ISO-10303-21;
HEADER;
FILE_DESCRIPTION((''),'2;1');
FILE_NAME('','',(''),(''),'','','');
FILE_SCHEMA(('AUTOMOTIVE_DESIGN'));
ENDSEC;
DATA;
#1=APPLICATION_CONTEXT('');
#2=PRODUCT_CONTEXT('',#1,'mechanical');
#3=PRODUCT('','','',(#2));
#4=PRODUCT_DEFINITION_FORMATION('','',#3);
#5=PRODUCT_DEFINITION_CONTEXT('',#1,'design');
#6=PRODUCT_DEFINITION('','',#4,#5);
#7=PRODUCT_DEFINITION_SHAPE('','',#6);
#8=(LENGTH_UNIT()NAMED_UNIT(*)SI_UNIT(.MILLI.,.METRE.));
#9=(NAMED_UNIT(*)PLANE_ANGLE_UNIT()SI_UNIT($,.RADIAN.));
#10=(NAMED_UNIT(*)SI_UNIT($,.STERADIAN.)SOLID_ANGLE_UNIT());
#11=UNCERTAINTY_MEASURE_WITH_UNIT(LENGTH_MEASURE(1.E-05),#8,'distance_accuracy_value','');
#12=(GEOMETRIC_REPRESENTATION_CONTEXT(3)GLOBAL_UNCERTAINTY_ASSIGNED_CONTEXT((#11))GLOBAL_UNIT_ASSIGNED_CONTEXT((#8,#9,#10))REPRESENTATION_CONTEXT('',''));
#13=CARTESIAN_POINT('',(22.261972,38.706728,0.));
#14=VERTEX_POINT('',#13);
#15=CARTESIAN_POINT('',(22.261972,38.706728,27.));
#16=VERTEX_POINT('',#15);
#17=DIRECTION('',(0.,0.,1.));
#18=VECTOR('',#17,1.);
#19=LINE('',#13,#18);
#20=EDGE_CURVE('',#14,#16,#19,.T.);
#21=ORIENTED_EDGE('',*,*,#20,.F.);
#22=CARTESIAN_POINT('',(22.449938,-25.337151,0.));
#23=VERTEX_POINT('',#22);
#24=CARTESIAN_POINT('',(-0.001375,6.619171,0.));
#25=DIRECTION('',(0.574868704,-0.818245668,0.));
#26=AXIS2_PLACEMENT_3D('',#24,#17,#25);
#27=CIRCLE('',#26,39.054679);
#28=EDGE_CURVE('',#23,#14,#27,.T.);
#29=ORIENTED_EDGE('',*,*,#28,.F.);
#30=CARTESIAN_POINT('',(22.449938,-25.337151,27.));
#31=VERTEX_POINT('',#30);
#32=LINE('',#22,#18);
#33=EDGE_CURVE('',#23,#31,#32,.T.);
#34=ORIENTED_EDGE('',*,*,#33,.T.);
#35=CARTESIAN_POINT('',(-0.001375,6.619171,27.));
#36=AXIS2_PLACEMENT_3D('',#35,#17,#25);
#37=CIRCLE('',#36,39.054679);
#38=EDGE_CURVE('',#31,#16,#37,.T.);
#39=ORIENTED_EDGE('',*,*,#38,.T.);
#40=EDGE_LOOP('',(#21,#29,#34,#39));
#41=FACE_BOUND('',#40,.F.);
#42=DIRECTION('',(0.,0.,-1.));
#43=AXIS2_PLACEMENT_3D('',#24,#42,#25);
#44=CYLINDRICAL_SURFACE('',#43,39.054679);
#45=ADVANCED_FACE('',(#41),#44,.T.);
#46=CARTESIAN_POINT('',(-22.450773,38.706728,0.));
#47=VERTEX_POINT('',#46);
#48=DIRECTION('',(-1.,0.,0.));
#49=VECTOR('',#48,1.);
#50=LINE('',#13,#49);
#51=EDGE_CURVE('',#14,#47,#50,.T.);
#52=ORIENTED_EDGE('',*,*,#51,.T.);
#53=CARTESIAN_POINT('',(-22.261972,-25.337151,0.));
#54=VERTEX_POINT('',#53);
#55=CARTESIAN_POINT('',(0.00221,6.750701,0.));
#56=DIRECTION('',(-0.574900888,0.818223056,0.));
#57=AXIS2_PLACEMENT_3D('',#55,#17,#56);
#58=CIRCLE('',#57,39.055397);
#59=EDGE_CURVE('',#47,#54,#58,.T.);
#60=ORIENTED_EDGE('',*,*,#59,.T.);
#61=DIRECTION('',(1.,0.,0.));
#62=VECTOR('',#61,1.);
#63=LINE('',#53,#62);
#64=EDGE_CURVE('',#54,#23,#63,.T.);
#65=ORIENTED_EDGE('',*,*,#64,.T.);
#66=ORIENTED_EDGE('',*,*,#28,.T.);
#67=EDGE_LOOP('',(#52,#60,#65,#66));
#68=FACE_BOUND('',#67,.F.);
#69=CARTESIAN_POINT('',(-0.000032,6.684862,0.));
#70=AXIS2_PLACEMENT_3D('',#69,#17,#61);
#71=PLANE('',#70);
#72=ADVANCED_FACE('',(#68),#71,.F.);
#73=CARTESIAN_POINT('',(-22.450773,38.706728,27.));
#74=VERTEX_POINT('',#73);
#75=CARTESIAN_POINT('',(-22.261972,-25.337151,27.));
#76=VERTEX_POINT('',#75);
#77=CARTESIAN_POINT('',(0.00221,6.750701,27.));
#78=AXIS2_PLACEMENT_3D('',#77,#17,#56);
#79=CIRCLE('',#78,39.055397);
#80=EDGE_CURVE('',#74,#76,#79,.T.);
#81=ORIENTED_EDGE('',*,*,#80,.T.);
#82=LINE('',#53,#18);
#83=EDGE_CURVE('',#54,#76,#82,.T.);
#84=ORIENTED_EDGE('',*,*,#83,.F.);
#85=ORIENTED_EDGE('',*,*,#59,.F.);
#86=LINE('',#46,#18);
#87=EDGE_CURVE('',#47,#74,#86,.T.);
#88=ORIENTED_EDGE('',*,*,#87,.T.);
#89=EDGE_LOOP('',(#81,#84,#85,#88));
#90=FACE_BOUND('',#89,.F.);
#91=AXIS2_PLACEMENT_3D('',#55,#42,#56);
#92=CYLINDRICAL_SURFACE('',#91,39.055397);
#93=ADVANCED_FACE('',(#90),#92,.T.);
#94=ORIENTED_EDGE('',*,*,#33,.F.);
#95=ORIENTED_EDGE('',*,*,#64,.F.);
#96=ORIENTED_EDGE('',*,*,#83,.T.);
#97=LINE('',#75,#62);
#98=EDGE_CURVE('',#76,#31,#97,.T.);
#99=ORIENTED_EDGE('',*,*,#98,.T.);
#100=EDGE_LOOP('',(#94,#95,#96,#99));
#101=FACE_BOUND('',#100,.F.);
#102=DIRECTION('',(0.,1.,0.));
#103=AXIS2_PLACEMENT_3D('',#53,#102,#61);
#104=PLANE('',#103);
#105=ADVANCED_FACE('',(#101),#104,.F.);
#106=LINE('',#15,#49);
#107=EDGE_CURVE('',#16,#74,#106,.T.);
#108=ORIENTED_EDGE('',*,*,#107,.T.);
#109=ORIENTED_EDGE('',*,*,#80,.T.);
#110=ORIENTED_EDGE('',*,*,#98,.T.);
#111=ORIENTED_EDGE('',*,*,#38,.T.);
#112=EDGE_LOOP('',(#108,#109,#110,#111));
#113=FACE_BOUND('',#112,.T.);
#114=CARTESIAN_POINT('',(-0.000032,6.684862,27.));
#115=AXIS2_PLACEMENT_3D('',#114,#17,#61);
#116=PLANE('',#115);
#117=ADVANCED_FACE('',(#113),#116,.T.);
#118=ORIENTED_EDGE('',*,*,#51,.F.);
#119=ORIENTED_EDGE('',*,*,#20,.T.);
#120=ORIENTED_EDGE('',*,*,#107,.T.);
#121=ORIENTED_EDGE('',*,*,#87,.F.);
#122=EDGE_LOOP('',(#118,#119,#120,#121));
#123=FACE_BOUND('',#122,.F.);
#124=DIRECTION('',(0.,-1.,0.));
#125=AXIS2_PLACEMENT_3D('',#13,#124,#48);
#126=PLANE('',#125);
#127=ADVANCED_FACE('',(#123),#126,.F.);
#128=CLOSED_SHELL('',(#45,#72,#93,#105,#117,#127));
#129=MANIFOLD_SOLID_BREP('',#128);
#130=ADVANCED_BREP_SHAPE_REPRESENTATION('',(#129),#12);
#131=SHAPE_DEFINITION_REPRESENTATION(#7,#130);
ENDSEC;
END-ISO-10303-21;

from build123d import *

# Parameters (mm, degrees)
PAD_1_DEPTH = 27


with BuildPart() as part:
    # Sketch_1 → Pad_1 (new body)
    with BuildSketch(Plane.XY):
        with BuildLine():
            ThreePointArc((22.449938, -25.337151), (39.053136, 6.733794), (22.261972, 38.706728))
            Line((22.261972, 38.706728), (-22.450773, 38.706728))
            ThreePointArc((-22.450773, 38.706728), (-39.053018, 6.635567), (-22.261972, -25.337151))
            Line((-22.261972, -25.337151), (22.449938, -25.337151))
        make_face()
    extrude(amount=PAD_1_DEPTH)


solid = part.part
